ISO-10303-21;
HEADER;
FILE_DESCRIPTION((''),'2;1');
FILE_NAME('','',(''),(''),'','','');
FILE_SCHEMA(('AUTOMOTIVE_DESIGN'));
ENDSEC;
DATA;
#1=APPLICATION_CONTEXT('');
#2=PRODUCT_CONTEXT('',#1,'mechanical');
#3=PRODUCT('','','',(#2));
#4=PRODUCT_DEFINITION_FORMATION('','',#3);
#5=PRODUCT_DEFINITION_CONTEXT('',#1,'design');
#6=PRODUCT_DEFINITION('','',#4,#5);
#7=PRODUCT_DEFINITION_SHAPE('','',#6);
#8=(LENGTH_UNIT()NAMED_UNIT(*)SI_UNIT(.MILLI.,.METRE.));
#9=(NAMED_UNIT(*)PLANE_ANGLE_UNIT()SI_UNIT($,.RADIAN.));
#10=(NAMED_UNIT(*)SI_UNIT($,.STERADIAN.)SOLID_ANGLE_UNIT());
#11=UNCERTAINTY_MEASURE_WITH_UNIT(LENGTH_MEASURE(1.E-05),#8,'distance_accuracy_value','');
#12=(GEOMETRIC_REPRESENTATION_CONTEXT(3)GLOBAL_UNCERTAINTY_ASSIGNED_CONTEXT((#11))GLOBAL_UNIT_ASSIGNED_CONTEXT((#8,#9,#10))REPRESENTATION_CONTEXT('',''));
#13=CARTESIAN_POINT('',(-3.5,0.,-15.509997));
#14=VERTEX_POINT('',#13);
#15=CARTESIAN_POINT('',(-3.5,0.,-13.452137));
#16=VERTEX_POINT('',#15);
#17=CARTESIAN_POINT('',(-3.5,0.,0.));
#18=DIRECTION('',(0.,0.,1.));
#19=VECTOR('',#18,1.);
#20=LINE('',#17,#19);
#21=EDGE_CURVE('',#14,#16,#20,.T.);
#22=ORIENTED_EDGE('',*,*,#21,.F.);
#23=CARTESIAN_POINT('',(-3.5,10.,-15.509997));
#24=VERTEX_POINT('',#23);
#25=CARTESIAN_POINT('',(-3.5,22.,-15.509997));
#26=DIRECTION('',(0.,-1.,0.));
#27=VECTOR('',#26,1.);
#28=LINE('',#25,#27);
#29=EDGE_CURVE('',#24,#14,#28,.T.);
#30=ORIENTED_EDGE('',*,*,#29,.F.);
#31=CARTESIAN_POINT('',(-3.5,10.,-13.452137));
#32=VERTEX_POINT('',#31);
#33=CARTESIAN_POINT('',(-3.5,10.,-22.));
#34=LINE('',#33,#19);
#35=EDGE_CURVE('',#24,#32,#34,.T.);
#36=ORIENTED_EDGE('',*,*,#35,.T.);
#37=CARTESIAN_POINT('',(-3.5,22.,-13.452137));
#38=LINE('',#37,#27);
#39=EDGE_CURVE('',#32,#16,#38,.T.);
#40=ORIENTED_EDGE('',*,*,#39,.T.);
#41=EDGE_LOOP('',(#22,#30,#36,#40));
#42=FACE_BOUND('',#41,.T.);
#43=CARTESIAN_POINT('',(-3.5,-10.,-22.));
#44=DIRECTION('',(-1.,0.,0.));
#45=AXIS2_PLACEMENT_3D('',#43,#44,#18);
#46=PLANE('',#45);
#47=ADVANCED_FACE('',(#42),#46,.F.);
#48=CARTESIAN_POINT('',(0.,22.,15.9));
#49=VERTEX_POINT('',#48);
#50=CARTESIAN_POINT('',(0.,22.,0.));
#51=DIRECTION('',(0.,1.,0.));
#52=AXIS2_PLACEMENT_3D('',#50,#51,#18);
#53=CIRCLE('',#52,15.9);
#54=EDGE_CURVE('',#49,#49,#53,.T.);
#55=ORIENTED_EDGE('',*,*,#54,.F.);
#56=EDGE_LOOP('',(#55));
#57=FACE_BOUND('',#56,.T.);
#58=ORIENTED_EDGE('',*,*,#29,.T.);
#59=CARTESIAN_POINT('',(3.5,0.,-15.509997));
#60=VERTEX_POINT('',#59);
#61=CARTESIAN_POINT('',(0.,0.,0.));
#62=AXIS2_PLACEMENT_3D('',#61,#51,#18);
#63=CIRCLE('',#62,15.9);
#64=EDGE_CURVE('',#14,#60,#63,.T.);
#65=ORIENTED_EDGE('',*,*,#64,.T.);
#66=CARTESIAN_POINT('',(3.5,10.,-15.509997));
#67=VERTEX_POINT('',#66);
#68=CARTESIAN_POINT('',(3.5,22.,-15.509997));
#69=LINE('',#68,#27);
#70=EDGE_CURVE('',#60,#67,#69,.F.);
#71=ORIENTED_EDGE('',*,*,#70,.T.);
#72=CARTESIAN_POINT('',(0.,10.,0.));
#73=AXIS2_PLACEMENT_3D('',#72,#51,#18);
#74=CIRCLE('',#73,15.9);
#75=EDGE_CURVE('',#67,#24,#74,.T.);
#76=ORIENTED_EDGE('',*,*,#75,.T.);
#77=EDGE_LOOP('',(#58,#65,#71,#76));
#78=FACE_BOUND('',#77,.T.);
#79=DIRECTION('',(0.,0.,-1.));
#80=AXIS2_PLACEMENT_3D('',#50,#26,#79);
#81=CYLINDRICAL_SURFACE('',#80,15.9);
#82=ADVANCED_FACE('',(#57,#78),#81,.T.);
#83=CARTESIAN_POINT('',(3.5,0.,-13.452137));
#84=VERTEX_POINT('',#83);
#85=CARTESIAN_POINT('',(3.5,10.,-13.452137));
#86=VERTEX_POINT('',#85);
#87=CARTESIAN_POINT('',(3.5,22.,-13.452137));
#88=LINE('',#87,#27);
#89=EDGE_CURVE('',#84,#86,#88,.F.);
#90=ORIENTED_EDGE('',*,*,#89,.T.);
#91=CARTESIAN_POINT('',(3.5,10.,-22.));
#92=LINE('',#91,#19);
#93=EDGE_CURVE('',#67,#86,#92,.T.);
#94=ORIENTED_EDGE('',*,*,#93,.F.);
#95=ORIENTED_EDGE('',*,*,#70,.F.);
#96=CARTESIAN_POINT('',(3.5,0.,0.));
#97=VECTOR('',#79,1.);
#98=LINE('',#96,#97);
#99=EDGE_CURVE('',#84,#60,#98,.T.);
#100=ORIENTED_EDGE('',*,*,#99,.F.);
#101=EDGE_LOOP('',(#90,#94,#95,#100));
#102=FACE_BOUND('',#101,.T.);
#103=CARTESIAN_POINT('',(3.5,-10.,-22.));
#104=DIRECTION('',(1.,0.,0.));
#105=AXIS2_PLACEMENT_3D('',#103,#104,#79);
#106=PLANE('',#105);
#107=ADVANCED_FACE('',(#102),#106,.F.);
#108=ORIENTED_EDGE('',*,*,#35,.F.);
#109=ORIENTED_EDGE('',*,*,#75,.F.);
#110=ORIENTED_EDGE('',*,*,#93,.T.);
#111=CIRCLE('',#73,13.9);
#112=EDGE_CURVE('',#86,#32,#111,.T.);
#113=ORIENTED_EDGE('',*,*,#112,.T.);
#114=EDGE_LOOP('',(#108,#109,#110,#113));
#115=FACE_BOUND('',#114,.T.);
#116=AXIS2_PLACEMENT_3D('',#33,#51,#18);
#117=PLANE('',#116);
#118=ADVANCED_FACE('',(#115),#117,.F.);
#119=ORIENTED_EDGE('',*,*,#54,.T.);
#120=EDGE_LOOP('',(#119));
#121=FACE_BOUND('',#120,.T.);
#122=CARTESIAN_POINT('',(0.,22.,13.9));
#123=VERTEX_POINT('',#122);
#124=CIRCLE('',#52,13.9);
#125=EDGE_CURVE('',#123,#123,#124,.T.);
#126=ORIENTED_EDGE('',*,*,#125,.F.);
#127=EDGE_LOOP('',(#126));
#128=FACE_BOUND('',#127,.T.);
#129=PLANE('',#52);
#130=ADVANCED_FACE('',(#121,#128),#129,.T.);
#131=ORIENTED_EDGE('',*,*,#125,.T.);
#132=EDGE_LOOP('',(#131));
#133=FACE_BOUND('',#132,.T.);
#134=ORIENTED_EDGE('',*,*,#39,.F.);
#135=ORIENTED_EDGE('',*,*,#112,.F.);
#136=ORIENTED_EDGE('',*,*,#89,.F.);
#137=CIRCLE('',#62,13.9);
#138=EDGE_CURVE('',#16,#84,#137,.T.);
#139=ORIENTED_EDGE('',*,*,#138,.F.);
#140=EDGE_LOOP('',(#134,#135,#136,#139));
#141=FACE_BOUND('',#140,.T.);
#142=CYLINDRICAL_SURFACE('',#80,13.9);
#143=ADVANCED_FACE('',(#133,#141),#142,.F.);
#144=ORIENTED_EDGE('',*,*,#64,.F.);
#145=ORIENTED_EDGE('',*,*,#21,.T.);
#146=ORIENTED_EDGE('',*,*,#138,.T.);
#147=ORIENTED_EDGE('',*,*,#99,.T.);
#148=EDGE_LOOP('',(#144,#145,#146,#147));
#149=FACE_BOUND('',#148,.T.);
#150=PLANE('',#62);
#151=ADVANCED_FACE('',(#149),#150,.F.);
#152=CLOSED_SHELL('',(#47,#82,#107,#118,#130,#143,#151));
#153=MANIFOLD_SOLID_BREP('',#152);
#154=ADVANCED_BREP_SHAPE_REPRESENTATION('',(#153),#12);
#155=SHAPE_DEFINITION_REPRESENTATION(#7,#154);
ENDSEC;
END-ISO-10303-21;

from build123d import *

# Parameters (mm, degrees)
CROQUIS1_R              = 15.9
CROQUIS1_R_2            = 13.9
SALIENTE_EXTRUIR1_DEPTH = 22
CROQUIS2_W              = 7
CROQUIS2_H              = 20
CORTAR_EXTRUIR1_DEPTH   = 22


with BuildPart() as part:
    # Croquis1 → Saliente-Extruir1 (new body)
    with BuildSketch(Plane(origin=(0, 0, 0), x_dir=(1, 0, 0), z_dir=(0, 1, 0))):
        Circle(CROQUIS1_R)
        Circle(CROQUIS1_R_2, mode=Mode.SUBTRACT)
    extrude(amount=SALIENTE_EXTRUIR1_DEPTH)

    # Croquis2 → Cortar-Extruir1 (cut)
    with BuildSketch(Plane.XY):
        Rectangle(CROQUIS2_W, CROQUIS2_H)
    extrude(amount=-CORTAR_EXTRUIR1_DEPTH, mode=Mode.SUBTRACT)


solid = part.part
